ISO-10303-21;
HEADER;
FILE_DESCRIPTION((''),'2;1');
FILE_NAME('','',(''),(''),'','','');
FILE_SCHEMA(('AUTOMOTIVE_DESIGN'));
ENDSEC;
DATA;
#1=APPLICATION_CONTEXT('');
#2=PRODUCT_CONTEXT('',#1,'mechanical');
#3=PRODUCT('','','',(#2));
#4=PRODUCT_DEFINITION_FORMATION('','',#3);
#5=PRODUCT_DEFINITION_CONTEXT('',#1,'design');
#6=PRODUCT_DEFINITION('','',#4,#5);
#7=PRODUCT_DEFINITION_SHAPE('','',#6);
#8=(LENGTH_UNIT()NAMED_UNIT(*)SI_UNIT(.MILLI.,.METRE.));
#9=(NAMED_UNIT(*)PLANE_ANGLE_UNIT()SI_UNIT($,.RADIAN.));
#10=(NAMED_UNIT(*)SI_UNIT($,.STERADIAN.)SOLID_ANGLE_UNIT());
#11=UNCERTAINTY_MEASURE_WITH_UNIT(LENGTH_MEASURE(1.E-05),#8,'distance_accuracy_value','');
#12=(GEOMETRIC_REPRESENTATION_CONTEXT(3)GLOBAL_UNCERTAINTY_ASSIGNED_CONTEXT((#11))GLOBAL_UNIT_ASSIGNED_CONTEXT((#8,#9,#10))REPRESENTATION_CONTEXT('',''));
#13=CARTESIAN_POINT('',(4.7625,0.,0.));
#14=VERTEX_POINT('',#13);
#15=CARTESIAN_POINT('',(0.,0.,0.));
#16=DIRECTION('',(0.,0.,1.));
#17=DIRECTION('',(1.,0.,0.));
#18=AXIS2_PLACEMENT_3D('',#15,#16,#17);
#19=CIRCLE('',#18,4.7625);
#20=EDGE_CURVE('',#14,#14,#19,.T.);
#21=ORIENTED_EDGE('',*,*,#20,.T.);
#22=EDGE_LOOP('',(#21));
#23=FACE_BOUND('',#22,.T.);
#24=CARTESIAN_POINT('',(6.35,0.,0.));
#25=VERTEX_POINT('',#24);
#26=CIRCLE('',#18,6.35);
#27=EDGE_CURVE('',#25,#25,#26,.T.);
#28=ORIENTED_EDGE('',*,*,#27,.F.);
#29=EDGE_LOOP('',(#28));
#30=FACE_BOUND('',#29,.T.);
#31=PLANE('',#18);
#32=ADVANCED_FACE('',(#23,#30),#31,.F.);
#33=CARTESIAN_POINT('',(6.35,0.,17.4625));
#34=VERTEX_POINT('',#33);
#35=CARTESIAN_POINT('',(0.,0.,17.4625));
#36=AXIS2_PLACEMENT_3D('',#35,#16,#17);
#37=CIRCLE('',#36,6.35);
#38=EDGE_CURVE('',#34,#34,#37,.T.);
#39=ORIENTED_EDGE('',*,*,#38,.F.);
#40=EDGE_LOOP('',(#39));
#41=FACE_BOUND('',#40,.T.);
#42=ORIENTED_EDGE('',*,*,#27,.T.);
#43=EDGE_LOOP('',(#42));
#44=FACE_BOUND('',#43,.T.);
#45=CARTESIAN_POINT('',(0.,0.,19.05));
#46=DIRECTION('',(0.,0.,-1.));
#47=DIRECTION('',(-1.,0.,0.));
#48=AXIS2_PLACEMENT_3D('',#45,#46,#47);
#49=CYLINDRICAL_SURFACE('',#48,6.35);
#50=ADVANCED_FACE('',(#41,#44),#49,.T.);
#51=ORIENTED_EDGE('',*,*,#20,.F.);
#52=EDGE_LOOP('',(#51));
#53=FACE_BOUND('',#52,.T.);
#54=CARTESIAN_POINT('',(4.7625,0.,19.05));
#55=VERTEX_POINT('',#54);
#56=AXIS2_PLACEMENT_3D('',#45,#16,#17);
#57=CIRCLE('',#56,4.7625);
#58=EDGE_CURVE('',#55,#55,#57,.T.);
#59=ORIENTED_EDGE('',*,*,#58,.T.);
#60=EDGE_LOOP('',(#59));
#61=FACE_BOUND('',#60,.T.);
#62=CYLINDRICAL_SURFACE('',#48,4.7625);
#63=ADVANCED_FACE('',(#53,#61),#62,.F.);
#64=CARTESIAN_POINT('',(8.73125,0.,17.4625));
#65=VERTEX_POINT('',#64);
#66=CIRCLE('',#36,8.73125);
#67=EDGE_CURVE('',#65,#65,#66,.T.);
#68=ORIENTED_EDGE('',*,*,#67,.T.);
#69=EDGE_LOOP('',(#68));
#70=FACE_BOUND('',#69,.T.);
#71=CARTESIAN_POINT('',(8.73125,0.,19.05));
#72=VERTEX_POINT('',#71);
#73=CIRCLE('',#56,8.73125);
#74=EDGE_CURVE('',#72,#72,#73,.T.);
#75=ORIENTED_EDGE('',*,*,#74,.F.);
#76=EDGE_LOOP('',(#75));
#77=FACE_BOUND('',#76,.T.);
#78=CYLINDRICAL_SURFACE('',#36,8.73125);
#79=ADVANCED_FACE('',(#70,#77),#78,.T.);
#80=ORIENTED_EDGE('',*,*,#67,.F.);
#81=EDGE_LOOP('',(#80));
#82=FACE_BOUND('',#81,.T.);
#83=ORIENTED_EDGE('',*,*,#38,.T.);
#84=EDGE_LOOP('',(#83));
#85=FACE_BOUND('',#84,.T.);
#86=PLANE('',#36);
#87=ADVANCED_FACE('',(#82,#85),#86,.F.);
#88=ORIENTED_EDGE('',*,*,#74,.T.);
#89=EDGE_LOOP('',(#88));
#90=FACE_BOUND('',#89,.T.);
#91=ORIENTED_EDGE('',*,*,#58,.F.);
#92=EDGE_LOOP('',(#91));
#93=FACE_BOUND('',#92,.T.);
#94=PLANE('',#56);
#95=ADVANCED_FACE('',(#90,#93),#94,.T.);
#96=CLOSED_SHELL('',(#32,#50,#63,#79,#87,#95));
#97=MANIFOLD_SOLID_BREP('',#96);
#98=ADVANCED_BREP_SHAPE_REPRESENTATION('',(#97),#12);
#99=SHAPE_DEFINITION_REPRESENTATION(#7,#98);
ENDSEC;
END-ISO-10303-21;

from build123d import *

# Parameters (mm, degrees)
SKETCH1_R           = 6.35
SKETCH1_R_2         = 4.7625
BOSS_EXTRUDE1_DEPTH = 19.05
SKETCH2_R           = 8.73125
SKETCH2_R_2         = 4.7625
BOSS_EXTRUDE2_DEPTH = 1.5875


with BuildPart() as part:
    # Sketch1 → Boss-Extrude1 (new body)
    with BuildSketch(Plane.XY):
        Circle(SKETCH1_R)
        Circle(SKETCH1_R_2, mode=Mode.SUBTRACT)
    extrude(amount=BOSS_EXTRUDE1_DEPTH)

    # Sketch2 → Boss-Extrude2 (add)
    with BuildSketch(Plane.XY.offset(19.05)):
        Circle(SKETCH2_R)
        Circle(SKETCH2_R_2, mode=Mode.SUBTRACT)
    extrude(amount=-BOSS_EXTRUDE2_DEPTH)


solid = part.part
